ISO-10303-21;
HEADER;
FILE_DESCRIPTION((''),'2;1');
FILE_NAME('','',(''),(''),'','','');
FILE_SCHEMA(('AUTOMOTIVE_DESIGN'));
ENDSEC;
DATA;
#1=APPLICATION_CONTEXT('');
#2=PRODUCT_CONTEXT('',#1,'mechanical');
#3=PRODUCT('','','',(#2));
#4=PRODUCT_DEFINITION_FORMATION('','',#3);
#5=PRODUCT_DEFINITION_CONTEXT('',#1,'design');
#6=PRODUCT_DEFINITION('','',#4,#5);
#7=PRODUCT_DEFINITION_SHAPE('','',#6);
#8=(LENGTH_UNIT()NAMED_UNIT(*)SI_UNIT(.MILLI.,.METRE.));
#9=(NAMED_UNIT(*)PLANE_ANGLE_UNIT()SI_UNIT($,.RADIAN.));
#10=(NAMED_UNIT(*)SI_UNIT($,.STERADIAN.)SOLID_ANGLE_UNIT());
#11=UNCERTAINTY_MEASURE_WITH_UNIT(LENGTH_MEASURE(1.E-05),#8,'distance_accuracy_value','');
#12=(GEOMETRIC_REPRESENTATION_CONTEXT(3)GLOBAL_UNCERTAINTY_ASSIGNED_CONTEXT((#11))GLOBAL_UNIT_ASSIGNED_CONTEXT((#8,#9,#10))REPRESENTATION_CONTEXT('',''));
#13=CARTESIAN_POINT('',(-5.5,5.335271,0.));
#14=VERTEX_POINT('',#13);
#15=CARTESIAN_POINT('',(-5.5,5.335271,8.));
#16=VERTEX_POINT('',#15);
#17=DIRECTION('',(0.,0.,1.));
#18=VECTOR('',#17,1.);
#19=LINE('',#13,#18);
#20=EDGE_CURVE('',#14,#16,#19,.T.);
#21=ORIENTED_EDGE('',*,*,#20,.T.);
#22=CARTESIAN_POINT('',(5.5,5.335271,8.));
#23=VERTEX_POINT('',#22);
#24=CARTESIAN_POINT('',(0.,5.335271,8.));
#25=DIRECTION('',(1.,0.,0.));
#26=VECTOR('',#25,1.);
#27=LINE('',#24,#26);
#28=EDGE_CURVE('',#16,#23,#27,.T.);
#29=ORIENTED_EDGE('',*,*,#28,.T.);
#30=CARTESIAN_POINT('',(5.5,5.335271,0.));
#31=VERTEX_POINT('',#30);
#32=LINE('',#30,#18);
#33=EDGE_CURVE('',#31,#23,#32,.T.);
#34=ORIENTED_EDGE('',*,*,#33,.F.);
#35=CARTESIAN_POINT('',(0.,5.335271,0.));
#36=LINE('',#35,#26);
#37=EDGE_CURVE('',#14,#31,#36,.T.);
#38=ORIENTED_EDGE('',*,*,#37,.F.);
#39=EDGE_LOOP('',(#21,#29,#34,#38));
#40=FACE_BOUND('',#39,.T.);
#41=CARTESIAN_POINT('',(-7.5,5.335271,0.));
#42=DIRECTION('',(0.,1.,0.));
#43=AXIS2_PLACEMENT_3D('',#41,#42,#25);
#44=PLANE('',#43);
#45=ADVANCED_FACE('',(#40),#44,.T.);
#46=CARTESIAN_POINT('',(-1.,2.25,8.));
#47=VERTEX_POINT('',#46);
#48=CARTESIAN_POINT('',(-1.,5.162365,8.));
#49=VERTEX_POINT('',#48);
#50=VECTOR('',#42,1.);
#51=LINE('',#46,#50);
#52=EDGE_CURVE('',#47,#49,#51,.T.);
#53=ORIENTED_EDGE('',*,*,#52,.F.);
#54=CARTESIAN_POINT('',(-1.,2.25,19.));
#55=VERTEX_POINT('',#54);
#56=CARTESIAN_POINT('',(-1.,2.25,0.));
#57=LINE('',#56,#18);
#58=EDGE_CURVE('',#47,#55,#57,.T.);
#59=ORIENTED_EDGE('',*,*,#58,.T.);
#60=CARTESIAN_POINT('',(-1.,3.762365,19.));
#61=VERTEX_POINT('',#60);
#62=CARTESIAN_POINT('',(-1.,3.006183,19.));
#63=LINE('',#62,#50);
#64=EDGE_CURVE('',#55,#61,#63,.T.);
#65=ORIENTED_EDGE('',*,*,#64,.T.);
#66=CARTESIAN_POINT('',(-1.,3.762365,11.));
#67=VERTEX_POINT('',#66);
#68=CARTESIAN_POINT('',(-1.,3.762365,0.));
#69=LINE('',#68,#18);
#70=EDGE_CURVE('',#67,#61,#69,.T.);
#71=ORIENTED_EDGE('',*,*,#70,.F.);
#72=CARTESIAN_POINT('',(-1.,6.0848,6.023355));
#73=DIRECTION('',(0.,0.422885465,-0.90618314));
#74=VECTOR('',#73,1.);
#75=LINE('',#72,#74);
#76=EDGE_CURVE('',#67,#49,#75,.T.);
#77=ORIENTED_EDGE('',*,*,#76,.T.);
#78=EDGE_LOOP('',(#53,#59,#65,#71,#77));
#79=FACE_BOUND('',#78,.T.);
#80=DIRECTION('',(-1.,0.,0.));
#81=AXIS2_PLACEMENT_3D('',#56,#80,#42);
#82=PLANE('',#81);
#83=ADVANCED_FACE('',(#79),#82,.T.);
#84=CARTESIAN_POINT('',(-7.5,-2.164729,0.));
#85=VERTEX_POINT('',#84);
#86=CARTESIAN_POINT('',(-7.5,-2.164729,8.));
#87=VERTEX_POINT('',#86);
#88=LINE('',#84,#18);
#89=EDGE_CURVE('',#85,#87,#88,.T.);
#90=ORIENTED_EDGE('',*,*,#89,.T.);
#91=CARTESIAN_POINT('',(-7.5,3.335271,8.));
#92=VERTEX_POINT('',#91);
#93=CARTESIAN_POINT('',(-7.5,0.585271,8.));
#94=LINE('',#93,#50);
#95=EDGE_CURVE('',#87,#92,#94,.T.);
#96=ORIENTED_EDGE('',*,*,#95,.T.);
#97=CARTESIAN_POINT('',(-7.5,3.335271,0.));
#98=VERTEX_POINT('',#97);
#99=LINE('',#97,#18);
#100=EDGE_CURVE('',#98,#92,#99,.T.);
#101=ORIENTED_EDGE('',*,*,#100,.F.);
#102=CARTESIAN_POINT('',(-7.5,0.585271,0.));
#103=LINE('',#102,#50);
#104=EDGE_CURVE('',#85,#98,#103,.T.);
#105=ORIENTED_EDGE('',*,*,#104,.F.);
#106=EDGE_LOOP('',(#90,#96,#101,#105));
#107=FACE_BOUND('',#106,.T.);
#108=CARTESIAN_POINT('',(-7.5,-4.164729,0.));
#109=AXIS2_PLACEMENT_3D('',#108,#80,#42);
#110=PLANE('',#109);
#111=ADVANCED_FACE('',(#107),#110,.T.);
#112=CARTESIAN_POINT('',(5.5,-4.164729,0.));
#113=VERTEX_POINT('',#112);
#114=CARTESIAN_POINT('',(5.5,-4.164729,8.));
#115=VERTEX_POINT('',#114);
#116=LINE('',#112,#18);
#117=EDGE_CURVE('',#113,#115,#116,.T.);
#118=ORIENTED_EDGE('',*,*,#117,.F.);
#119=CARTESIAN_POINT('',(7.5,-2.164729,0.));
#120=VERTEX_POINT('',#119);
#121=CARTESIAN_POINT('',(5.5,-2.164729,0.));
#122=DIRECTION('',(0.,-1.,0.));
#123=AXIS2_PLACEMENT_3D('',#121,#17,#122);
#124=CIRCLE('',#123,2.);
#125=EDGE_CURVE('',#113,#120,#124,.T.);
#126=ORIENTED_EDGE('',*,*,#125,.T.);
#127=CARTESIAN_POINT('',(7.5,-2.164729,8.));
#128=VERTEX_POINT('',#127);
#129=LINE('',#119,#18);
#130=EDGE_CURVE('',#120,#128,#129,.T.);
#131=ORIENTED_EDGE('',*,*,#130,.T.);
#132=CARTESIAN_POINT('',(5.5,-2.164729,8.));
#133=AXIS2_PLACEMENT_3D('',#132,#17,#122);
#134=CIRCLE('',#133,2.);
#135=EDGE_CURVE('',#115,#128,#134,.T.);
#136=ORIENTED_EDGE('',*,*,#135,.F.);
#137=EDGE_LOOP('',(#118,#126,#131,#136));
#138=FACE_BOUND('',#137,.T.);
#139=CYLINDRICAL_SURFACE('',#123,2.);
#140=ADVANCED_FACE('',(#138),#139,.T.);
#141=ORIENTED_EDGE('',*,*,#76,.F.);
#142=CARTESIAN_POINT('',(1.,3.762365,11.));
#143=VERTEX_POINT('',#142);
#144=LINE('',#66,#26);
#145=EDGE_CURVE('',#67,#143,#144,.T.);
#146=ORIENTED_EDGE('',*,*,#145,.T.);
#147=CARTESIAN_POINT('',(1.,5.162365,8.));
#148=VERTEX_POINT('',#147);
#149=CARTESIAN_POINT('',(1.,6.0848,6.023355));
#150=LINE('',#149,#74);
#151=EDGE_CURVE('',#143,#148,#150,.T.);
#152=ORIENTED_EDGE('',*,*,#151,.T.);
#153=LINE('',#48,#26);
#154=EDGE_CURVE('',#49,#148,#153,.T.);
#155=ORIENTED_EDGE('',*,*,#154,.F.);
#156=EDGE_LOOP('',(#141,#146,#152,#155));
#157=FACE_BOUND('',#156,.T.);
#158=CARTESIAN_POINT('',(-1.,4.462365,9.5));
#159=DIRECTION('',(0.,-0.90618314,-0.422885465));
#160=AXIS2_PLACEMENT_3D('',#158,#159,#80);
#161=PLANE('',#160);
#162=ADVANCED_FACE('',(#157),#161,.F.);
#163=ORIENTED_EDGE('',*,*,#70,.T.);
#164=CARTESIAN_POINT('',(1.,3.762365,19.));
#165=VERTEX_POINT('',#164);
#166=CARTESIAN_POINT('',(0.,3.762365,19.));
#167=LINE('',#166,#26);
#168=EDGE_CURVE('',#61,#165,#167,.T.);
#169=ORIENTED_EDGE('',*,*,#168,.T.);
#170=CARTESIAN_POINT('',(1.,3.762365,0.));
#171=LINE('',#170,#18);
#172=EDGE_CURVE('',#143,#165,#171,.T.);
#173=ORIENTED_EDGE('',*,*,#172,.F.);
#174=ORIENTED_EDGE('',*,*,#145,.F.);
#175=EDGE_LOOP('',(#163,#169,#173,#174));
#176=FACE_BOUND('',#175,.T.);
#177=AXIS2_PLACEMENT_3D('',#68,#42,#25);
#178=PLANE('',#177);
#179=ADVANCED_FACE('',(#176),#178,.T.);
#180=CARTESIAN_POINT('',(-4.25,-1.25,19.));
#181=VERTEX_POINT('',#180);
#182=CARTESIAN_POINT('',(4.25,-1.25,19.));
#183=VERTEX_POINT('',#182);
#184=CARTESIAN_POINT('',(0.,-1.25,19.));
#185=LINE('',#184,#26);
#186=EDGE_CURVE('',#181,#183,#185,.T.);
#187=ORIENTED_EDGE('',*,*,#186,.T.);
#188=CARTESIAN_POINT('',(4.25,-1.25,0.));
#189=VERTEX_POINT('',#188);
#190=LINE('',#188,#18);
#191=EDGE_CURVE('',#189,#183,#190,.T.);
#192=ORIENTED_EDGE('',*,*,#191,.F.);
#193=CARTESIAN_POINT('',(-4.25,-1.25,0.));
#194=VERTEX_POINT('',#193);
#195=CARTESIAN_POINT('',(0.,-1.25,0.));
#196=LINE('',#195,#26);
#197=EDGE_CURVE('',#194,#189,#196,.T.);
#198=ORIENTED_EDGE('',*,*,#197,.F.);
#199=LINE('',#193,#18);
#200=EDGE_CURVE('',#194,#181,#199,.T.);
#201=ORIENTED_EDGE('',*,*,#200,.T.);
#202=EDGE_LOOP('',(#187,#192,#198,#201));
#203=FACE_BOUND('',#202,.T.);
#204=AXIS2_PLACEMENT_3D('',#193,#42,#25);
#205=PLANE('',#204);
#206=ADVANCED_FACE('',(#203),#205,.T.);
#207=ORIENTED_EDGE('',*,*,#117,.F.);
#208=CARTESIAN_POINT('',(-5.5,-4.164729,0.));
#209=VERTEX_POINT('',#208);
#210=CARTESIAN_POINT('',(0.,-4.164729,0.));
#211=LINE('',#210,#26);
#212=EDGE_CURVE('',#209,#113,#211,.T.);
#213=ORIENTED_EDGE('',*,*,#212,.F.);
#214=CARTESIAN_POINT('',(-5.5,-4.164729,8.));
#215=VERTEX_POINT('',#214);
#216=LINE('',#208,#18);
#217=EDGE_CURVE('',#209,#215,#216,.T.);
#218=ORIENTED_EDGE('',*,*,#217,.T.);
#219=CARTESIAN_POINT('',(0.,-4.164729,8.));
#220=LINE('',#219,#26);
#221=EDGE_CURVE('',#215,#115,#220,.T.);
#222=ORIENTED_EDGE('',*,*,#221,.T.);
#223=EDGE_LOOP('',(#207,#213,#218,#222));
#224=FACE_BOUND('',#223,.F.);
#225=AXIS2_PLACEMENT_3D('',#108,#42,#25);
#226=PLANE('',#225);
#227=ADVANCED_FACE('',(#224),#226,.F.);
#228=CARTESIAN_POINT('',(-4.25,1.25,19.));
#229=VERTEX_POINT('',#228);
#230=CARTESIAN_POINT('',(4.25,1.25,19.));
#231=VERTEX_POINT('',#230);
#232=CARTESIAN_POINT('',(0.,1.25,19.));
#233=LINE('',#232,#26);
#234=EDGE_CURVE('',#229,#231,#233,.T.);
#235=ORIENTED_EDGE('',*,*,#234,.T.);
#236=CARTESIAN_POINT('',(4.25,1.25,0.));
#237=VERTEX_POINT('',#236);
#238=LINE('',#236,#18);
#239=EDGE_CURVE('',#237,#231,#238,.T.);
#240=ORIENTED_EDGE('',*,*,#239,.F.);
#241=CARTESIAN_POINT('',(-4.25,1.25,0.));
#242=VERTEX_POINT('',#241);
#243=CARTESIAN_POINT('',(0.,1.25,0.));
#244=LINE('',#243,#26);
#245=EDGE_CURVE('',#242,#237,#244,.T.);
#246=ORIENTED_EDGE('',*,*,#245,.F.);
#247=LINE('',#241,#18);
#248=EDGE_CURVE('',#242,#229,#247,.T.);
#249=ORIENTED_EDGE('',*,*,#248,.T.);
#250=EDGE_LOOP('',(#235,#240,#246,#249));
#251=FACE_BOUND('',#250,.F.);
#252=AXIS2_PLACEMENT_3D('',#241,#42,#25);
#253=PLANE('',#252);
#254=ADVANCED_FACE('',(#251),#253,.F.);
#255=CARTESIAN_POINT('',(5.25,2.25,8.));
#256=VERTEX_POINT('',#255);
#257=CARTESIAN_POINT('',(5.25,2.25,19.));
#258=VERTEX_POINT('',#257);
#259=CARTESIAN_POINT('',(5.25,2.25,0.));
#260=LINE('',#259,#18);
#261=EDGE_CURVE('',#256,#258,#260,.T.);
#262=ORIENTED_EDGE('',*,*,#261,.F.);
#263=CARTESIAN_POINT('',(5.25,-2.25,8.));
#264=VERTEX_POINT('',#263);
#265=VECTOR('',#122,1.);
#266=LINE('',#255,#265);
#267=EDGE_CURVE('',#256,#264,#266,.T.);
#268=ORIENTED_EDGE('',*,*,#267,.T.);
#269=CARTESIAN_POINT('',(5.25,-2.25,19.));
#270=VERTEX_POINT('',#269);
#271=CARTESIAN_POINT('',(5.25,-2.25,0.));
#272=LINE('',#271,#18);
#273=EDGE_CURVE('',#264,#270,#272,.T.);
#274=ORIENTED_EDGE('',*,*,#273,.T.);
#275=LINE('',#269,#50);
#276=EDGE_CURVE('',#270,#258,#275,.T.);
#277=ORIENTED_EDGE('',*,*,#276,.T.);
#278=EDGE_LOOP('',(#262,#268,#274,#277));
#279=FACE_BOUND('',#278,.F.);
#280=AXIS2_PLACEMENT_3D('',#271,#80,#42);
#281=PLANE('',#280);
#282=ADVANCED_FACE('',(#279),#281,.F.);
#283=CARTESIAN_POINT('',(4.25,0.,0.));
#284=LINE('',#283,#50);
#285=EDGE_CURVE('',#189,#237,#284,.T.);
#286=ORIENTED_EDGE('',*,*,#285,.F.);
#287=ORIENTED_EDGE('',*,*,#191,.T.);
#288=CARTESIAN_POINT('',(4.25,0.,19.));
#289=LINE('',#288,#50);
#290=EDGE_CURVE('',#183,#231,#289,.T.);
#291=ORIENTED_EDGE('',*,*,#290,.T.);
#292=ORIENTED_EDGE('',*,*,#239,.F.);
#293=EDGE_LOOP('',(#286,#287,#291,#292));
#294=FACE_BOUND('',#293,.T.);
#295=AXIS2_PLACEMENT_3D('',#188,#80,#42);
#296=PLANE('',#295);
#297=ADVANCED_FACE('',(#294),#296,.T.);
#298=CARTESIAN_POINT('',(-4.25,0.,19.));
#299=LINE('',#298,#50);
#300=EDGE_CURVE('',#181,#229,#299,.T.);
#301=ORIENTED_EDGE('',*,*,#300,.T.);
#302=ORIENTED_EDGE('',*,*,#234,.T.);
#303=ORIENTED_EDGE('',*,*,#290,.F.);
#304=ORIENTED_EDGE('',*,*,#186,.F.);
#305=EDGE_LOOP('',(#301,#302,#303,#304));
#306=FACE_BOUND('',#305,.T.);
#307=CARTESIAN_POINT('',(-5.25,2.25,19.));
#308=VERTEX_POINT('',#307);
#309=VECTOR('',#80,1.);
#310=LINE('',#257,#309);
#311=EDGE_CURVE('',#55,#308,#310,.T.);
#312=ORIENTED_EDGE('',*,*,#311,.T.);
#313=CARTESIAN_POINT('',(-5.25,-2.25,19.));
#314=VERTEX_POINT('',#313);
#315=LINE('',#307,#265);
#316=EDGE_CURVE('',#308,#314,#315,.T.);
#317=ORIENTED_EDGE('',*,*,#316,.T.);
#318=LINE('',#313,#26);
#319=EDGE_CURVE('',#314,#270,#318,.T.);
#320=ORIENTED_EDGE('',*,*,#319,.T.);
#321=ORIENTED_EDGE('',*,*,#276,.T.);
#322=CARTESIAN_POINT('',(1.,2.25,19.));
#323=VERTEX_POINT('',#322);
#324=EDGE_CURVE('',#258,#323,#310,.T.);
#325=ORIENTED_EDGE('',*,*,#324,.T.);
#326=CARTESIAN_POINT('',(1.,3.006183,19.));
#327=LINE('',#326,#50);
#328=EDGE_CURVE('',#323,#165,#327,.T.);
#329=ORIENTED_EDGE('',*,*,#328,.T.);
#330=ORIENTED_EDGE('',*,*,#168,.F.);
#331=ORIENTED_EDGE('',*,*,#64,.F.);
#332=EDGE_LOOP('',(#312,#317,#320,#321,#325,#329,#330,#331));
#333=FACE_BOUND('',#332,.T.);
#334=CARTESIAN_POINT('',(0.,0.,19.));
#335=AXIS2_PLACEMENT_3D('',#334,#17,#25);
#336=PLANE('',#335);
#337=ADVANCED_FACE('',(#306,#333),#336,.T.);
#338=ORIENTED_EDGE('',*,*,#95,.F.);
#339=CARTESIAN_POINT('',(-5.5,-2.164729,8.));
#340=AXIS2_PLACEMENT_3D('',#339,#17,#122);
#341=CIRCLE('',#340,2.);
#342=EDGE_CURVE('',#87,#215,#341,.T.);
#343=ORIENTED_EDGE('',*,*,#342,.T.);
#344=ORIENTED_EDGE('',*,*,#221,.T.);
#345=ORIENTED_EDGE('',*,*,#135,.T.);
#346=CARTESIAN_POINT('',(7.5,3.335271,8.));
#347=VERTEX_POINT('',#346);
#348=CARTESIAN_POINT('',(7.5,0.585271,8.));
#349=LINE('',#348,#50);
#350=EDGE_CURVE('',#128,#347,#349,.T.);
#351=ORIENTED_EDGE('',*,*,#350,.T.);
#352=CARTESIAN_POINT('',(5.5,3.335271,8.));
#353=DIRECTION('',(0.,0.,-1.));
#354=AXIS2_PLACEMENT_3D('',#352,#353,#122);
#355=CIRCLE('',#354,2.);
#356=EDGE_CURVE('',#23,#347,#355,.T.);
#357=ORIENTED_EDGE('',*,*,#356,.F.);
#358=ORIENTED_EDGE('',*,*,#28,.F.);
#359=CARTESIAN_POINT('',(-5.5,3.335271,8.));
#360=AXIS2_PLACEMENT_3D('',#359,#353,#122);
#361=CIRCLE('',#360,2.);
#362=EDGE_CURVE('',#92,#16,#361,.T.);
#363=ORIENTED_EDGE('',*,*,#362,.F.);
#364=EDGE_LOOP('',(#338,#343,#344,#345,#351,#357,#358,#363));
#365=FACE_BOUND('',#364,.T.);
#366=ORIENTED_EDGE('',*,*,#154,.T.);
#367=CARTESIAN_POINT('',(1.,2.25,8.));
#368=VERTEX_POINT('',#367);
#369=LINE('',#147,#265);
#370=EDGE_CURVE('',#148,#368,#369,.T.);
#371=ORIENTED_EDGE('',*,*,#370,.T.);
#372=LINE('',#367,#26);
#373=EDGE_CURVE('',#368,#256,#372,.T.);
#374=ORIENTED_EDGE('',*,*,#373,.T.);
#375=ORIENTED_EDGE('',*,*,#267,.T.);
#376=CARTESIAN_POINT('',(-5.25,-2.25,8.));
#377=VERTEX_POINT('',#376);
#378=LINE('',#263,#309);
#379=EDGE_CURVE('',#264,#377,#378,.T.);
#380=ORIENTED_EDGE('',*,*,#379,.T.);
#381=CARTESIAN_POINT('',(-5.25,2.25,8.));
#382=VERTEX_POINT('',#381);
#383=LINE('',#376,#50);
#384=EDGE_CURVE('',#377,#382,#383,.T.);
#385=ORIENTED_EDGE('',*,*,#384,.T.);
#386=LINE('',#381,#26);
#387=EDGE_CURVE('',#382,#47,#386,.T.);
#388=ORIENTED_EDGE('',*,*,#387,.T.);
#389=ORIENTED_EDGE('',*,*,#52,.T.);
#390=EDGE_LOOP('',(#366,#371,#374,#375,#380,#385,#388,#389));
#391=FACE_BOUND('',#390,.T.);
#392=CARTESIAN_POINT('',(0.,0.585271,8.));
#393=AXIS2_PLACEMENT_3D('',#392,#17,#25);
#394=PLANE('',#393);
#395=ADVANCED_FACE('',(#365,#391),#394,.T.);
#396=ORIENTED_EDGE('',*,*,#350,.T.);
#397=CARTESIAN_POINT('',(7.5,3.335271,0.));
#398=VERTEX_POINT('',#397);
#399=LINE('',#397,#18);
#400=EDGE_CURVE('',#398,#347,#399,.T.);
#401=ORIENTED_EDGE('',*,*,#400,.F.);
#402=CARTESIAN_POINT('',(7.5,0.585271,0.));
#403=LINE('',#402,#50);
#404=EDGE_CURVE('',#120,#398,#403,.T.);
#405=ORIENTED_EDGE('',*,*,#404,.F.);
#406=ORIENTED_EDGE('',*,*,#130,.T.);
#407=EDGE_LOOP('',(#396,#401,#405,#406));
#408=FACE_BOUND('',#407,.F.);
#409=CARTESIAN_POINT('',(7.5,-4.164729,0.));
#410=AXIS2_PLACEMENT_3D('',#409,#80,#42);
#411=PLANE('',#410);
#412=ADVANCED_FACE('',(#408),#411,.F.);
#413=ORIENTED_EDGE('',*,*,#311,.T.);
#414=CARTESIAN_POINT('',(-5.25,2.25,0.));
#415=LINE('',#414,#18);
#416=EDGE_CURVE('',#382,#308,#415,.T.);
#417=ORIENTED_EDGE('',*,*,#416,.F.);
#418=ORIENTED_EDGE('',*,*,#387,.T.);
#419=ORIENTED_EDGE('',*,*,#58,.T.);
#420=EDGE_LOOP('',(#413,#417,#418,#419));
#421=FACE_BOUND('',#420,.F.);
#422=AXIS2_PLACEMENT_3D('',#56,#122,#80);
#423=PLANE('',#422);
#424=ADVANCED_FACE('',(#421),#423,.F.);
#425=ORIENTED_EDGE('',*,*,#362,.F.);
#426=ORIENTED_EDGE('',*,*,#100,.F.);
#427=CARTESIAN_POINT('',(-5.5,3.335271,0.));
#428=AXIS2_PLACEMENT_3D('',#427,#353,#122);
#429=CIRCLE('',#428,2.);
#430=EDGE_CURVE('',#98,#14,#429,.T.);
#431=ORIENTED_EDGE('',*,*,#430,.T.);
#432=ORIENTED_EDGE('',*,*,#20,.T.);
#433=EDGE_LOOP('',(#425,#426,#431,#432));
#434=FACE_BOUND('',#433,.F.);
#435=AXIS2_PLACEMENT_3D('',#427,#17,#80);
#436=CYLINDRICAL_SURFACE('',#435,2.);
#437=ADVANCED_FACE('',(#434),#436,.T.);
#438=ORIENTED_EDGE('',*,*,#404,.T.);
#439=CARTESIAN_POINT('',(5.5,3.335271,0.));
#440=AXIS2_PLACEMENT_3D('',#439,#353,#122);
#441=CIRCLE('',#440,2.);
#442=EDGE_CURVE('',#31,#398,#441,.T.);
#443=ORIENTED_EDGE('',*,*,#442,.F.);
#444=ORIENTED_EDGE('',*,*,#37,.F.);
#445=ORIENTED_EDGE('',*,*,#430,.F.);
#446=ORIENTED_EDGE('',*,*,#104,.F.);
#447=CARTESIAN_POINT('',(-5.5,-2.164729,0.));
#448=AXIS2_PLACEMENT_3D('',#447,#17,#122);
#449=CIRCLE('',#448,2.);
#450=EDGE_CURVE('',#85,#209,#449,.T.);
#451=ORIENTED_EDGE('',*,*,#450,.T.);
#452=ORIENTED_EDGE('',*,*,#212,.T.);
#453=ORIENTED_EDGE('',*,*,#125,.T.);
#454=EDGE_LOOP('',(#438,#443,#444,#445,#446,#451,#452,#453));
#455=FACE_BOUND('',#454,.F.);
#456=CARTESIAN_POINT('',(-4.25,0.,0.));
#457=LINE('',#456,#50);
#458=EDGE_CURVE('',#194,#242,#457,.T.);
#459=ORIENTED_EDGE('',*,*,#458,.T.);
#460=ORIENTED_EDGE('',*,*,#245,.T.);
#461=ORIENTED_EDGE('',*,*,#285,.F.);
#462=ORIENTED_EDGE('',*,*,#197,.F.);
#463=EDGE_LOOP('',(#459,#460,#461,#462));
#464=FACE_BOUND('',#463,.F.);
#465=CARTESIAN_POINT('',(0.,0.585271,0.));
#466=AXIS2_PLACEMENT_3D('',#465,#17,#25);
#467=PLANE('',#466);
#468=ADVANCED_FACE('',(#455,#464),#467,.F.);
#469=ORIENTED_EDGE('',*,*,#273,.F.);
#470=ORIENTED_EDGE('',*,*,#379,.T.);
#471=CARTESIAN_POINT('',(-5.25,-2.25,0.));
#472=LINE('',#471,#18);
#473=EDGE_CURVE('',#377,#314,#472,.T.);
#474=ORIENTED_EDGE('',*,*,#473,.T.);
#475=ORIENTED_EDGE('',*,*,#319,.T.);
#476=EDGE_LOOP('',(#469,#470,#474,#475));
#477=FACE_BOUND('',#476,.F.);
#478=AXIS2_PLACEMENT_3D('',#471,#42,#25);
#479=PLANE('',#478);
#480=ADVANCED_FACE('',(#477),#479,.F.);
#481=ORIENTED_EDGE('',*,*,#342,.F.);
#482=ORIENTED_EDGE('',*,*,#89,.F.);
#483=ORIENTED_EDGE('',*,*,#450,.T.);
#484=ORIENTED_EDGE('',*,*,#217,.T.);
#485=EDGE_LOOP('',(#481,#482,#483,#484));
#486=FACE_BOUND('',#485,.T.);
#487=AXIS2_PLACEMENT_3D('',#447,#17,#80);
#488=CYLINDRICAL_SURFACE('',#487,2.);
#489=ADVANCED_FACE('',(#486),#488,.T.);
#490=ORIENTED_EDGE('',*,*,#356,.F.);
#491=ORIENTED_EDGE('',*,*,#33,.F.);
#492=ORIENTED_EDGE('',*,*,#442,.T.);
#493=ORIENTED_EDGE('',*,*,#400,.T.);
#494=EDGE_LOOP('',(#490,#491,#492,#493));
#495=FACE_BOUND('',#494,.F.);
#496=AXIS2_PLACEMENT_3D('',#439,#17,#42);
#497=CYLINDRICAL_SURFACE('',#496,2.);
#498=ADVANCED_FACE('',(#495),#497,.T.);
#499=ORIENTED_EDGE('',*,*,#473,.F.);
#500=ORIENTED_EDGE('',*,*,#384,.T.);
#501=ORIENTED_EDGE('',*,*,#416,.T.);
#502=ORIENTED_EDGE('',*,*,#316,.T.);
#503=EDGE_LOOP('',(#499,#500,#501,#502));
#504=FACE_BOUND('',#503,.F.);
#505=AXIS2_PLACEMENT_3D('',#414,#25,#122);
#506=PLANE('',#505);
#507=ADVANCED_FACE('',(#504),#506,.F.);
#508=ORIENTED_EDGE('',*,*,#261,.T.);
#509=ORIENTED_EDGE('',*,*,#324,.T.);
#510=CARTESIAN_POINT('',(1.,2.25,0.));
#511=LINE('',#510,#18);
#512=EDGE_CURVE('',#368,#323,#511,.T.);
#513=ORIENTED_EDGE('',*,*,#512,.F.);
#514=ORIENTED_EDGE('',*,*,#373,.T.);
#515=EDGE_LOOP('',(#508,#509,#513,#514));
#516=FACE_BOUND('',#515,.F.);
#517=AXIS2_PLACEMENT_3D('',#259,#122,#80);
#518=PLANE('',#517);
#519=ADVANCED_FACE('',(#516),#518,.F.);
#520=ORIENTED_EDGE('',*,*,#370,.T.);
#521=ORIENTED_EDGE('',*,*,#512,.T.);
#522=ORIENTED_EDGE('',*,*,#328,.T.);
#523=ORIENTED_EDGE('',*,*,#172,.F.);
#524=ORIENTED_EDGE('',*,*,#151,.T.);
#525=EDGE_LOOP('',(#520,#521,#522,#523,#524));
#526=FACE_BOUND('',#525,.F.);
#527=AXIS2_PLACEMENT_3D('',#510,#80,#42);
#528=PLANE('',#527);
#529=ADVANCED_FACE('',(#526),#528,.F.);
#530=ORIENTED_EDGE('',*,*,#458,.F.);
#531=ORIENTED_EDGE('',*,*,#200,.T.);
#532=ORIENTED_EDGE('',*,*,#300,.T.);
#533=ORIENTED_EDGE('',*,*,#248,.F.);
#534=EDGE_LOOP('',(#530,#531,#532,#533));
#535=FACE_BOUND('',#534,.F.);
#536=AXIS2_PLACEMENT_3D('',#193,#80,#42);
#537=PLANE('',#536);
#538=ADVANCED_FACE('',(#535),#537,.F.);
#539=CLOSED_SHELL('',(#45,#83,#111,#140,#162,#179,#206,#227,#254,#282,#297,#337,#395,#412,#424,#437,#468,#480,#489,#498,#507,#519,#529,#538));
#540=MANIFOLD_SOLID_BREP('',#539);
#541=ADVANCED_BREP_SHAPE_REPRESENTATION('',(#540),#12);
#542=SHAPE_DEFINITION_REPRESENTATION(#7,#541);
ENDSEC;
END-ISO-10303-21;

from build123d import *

# Parameters (mm, degrees)
F0_W     = 8.5
F0_H     = 2.5
F0_W_2   = 2
F0_H_2   = 1.512365222
F1_DEPTH = 19
F0_W_3   = 15
F0_H_3   = 9.5
F2_DEPTH = 8
F3_R     = 2
F4_SIZE2 = 1.4
F4_SIZE  = 3


with BuildPart() as f1:
    # F0 (on Top) → F1 (new body)
    with BuildSketch(Plane.XY):
        Polygon((-5.25, -2.25), (5.25, -2.25), (5.25, 2.25), (1, 2.25), (-1, 2.25), (-5.25, 2.25), align=None)
        Rectangle(F0_W, F0_H, mode=Mode.SUBTRACT)
        with Locations((0, 3.006182611)):
            Rectangle(F0_W_2, F0_H_2)
    extrude(amount=F1_DEPTH)

    # F0 (on Top) → F2 (join)
    with BuildSketch(Plane.XY):
        with Locations((0, 0.5852708127)):
            Rectangle(F0_W_3, F0_H_3)
        Polygon((5.25, 2.25), (5.25, -2.25), (-5.25, -2.25), (-5.25, 2.25), (-1, 2.25), (-1, 3.762365222), (1, 3.762365222), (1, 2.25), align=None, mode=Mode.SUBTRACT)
    extrude(amount=F2_DEPTH)

    # F3
    f3_edges = [f1.edges().sort_by_distance(p)[0] for p in [
        (-7.5, -4.164729, 4),
        (7.5, -4.164729, 4),
        (7.5, 5.335271, 4),
        (-7.5, 5.335271, 4),
    ]]
    fillet(f3_edges, radius=F3_R)

    # F4
    f4_edges = [f1.edges().sort_by_distance(p)[0] for p in [
        (0, 3.762365, 8),
    ]]
    f4_side = f1.faces().sort_by_distance((0, 3.762365, 13.5))[0]
    chamfer(f4_edges, length=F4_SIZE, length2=F4_SIZE2, reference=f4_side)


solid = f1.part
